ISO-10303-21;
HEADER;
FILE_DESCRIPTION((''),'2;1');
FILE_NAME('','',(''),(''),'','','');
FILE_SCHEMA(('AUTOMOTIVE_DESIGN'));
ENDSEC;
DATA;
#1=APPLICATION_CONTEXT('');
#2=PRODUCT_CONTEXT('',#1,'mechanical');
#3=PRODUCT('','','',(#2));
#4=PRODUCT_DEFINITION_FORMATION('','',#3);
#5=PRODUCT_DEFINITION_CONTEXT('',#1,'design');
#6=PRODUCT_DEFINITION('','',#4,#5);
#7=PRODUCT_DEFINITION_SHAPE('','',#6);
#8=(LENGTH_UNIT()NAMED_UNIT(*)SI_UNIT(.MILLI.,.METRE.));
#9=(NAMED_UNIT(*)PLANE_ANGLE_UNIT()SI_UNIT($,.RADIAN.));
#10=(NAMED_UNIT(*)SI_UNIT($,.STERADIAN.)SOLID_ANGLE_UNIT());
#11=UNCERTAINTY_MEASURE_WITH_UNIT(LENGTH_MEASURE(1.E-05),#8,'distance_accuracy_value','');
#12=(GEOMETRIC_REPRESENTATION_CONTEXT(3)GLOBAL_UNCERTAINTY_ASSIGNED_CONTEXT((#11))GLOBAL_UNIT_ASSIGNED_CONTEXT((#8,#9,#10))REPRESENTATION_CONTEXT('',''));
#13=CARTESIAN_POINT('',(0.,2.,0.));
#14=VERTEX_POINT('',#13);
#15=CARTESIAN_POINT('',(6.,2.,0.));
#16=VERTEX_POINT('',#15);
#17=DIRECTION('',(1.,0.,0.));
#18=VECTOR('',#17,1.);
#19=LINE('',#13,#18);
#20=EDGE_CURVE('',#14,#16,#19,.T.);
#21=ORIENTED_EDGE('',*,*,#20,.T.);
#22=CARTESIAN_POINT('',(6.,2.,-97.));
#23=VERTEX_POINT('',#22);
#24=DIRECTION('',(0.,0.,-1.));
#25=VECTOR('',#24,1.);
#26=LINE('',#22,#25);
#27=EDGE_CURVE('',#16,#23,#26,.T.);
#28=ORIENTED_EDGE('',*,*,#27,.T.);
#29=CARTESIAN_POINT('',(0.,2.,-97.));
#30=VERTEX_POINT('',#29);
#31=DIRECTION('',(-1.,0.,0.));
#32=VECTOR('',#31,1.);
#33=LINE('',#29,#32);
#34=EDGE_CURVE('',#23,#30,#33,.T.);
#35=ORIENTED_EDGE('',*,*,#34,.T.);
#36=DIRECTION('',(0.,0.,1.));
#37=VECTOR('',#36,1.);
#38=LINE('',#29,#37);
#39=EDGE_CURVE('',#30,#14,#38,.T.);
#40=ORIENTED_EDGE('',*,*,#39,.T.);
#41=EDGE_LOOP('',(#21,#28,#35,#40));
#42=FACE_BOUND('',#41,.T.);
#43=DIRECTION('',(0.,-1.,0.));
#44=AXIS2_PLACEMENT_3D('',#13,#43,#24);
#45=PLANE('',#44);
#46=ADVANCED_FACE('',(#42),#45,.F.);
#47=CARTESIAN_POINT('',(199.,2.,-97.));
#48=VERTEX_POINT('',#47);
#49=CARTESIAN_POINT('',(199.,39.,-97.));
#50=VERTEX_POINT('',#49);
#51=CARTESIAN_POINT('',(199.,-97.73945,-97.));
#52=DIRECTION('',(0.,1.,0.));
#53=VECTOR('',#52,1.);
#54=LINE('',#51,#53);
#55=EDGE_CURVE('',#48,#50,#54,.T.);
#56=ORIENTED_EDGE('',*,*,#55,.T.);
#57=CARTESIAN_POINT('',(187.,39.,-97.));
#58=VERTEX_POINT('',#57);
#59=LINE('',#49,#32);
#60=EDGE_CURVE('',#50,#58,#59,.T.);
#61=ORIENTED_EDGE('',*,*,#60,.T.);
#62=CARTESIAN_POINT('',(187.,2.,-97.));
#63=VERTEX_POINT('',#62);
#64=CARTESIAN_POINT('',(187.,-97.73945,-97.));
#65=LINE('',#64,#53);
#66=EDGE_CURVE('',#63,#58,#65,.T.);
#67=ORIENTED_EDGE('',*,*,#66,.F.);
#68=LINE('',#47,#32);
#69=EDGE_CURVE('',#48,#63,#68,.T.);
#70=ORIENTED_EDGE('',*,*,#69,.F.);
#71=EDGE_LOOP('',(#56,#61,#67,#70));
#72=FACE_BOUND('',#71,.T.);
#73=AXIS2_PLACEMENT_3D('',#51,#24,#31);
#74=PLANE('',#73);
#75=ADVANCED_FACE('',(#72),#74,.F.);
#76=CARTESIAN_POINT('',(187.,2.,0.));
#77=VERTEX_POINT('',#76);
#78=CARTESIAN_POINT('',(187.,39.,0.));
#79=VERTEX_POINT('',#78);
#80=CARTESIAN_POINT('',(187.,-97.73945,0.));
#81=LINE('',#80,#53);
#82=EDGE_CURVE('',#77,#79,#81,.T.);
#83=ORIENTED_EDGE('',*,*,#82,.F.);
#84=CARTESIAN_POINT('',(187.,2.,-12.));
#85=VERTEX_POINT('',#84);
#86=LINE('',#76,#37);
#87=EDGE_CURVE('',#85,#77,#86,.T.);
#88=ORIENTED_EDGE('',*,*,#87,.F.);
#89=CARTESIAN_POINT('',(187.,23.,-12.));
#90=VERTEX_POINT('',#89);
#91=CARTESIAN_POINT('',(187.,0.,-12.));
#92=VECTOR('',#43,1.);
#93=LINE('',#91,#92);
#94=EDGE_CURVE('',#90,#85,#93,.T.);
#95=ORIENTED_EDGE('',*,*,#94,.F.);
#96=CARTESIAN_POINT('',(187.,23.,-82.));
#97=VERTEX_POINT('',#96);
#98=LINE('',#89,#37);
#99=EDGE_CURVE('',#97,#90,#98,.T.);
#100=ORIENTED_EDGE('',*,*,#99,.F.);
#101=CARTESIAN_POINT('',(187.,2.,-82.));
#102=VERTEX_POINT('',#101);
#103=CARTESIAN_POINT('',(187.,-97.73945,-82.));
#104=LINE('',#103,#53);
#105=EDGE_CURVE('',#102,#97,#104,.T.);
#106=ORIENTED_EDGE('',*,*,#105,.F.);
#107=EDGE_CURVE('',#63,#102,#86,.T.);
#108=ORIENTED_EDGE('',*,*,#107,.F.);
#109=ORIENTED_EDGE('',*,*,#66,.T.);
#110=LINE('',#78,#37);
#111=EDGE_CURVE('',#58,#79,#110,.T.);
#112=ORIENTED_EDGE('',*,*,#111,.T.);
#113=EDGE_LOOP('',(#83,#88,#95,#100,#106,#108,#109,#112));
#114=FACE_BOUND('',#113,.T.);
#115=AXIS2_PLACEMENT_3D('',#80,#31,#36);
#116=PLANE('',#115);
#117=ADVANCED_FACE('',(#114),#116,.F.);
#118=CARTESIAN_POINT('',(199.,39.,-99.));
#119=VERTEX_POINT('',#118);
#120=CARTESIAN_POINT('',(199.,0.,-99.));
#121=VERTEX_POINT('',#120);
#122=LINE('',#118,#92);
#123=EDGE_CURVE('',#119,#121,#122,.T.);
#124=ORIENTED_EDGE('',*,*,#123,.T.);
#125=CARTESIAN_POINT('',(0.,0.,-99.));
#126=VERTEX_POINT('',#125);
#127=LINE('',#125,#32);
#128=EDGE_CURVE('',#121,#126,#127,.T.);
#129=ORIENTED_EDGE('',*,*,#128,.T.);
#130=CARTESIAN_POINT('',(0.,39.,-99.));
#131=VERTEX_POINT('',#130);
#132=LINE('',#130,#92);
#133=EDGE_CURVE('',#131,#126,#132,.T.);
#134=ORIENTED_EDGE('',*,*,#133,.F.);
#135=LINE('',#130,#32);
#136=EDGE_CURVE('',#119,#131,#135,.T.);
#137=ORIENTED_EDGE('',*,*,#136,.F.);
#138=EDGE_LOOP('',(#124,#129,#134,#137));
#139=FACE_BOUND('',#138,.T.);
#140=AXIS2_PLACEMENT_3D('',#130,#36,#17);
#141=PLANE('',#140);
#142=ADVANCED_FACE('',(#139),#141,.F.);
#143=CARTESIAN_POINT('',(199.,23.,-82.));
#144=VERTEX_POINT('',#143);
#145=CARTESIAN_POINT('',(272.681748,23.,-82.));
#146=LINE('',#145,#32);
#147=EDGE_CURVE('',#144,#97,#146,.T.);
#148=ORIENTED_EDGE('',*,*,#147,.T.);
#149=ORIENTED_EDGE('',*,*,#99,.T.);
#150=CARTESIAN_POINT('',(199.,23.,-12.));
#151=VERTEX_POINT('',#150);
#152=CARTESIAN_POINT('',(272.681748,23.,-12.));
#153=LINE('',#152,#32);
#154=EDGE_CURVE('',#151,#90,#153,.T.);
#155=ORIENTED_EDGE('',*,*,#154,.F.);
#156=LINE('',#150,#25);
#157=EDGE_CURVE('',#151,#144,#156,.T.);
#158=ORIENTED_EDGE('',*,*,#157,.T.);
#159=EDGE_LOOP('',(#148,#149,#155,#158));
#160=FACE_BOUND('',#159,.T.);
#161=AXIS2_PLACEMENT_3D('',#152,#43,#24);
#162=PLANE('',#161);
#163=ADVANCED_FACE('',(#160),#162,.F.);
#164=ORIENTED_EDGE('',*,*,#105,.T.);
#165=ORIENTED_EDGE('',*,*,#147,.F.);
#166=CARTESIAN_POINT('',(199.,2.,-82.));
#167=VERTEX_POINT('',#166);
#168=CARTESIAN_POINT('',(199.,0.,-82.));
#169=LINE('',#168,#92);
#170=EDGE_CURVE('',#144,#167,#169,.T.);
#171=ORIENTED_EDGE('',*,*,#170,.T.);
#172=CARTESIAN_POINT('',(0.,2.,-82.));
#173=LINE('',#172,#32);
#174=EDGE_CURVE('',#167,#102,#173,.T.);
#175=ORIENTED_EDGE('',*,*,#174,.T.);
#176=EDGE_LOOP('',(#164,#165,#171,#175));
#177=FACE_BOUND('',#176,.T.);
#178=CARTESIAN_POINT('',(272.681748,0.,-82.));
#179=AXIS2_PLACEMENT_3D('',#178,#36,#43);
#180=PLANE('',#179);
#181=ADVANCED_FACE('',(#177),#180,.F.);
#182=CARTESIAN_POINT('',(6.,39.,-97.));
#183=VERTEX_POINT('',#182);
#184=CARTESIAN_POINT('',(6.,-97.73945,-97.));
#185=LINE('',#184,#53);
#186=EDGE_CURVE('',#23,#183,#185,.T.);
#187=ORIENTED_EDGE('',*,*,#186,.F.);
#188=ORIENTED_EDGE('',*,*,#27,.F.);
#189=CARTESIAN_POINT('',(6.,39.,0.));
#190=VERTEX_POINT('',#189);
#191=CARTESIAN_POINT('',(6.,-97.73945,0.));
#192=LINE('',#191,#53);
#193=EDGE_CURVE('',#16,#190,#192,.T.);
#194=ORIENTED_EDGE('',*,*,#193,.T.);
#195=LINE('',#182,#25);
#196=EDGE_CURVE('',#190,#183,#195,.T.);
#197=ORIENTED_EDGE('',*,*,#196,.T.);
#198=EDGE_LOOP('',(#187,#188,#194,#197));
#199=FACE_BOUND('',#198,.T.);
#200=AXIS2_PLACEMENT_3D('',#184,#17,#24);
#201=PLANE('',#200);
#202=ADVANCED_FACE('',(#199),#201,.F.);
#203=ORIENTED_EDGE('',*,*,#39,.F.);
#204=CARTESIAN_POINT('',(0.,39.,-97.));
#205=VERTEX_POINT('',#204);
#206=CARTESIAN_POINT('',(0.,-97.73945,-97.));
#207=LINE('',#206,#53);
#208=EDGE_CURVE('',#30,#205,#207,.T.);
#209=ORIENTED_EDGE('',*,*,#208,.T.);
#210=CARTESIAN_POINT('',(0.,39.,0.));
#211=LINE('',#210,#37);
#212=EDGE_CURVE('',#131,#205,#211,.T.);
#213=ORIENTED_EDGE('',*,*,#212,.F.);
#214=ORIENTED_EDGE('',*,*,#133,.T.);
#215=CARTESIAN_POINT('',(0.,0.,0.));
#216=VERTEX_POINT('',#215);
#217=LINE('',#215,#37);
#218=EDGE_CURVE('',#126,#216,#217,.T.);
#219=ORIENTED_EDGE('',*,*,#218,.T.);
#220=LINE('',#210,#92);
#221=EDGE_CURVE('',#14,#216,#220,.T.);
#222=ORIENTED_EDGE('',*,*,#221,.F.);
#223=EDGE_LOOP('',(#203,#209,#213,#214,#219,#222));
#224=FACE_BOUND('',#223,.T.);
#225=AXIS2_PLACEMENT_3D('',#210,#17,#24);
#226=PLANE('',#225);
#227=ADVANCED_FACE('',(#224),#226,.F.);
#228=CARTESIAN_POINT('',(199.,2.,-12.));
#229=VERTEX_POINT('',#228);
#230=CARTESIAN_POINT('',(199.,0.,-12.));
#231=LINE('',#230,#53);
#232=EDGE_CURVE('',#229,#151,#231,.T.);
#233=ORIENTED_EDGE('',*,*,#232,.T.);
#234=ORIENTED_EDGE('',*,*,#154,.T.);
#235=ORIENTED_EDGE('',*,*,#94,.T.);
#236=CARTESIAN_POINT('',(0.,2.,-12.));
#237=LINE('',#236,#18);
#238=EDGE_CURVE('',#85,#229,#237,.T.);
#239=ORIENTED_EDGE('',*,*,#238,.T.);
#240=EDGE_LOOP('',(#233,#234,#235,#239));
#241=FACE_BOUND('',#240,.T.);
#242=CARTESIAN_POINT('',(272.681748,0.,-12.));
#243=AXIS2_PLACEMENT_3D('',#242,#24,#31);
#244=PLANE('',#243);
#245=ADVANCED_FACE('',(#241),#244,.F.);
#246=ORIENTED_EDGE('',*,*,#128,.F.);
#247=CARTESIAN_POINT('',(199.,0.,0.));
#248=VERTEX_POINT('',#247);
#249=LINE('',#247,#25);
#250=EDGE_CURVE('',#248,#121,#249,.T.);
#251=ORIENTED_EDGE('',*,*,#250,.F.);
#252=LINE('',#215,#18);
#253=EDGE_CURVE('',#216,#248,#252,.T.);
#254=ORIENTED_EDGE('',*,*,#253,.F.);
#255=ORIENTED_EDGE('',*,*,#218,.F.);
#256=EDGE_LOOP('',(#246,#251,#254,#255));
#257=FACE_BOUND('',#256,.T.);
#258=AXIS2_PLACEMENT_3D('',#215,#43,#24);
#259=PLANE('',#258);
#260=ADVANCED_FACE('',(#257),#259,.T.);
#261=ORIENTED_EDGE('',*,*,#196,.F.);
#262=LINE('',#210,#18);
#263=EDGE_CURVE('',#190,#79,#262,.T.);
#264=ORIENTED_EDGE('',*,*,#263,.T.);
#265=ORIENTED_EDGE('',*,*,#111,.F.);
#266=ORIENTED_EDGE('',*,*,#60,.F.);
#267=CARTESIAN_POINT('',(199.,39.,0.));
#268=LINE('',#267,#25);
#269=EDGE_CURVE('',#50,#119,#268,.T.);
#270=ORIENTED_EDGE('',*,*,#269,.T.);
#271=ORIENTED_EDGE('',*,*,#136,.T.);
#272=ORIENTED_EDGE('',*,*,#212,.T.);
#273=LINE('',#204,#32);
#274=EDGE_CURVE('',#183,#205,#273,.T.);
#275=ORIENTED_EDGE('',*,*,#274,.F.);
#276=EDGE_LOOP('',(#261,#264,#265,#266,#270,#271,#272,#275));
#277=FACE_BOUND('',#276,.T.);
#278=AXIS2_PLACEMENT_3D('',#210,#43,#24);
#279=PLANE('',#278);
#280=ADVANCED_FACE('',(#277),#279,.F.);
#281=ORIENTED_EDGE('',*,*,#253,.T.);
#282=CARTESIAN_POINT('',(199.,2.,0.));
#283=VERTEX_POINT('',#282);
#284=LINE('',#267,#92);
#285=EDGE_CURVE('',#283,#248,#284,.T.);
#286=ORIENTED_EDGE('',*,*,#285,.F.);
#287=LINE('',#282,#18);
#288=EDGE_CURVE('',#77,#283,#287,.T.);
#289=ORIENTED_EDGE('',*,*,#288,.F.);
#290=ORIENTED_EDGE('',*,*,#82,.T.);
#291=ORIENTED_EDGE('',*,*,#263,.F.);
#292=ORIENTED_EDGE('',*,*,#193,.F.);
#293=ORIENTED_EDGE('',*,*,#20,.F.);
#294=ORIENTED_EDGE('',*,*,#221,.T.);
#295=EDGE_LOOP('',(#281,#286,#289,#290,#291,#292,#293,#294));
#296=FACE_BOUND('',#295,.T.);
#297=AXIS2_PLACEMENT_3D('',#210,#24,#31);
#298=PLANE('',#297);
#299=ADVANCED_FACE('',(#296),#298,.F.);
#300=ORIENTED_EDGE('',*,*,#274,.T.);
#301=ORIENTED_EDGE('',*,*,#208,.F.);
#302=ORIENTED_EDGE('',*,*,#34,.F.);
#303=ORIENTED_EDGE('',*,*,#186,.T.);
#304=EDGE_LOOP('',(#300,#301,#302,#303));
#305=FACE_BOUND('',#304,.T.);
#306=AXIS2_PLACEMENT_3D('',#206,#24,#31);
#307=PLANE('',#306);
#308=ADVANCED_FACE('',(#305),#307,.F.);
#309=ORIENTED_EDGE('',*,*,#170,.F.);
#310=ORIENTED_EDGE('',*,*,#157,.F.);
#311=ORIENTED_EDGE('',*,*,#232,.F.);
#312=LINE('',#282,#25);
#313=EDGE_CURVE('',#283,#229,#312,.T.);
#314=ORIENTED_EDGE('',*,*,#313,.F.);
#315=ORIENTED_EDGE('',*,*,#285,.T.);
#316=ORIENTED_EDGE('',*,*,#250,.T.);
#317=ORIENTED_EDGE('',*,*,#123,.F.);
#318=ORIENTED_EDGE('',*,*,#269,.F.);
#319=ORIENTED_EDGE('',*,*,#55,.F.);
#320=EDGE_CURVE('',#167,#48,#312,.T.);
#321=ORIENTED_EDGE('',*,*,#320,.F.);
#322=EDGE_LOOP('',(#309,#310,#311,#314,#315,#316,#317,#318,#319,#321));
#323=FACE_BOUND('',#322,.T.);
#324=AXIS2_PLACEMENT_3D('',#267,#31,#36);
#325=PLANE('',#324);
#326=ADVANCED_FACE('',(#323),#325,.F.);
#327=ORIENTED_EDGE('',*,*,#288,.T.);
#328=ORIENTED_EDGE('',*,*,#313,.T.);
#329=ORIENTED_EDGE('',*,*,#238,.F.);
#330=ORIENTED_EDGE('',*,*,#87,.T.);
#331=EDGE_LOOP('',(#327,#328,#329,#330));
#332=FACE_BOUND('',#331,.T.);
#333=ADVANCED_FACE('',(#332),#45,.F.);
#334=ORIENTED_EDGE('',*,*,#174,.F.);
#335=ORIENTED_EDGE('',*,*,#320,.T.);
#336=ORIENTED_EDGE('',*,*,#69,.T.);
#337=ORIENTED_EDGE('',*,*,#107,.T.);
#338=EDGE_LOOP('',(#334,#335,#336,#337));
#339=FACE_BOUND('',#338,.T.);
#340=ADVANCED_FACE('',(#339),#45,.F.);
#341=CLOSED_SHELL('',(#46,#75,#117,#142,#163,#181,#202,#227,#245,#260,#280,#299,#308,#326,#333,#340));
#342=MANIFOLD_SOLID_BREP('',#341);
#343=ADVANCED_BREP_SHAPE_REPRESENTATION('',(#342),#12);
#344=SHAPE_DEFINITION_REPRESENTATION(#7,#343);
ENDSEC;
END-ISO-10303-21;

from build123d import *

# Parameters (mm, degrees)
SKETCH_1_W          = 199
SKETCH_1_H          = 99
EXTRUDE_1_DEPTH     = 39
SKETCH_2_W          = 6
SKETCH_2_H          = 97
SKETCH_2_W_2        = 12
CUT_EXTRUDE_1_DEPTH = 37
SKETCH_3_W          = 70
SKETCH_3_H          = 23
EXTRUDE_2_DEPTH     = 12


with BuildPart() as part:
    # Эскиз1 → Бобышка-Вытянуть1 (new body)
    with BuildSketch(Plane(origin=(0, 0, 0), x_dir=(1, 0, 0), z_dir=(0, 1, 0))):
        with Locations((99.5, 49.5)):
            Rectangle(SKETCH_1_W, SKETCH_1_H)
    extrude(amount=EXTRUDE_1_DEPTH)

    # Эскиз2 → Вырез-Вытянуть1 (cut)
    with BuildSketch(Plane(origin=(0, 39, 0), x_dir=(1, 0, 0), z_dir=(0, 1, 0))):
        with Locations((3, 48.5)):
            Rectangle(SKETCH_2_W, SKETCH_2_H)
        with Locations((193, 48.5)):
            Rectangle(SKETCH_2_W_2, SKETCH_2_H)
    extrude(amount=-CUT_EXTRUDE_1_DEPTH, mode=Mode.SUBTRACT)

    # Эскиз3 → Бобышка-Вытянуть2 (add)
    with BuildSketch(Plane(origin=(187, 0, 0), x_dir=(0, 0, -1), z_dir=(1, 0, 0))):
        with Locations((47, 11.5)):
            Rectangle(SKETCH_3_W, SKETCH_3_H)
    extrude(amount=EXTRUDE_2_DEPTH)


solid = part.part
